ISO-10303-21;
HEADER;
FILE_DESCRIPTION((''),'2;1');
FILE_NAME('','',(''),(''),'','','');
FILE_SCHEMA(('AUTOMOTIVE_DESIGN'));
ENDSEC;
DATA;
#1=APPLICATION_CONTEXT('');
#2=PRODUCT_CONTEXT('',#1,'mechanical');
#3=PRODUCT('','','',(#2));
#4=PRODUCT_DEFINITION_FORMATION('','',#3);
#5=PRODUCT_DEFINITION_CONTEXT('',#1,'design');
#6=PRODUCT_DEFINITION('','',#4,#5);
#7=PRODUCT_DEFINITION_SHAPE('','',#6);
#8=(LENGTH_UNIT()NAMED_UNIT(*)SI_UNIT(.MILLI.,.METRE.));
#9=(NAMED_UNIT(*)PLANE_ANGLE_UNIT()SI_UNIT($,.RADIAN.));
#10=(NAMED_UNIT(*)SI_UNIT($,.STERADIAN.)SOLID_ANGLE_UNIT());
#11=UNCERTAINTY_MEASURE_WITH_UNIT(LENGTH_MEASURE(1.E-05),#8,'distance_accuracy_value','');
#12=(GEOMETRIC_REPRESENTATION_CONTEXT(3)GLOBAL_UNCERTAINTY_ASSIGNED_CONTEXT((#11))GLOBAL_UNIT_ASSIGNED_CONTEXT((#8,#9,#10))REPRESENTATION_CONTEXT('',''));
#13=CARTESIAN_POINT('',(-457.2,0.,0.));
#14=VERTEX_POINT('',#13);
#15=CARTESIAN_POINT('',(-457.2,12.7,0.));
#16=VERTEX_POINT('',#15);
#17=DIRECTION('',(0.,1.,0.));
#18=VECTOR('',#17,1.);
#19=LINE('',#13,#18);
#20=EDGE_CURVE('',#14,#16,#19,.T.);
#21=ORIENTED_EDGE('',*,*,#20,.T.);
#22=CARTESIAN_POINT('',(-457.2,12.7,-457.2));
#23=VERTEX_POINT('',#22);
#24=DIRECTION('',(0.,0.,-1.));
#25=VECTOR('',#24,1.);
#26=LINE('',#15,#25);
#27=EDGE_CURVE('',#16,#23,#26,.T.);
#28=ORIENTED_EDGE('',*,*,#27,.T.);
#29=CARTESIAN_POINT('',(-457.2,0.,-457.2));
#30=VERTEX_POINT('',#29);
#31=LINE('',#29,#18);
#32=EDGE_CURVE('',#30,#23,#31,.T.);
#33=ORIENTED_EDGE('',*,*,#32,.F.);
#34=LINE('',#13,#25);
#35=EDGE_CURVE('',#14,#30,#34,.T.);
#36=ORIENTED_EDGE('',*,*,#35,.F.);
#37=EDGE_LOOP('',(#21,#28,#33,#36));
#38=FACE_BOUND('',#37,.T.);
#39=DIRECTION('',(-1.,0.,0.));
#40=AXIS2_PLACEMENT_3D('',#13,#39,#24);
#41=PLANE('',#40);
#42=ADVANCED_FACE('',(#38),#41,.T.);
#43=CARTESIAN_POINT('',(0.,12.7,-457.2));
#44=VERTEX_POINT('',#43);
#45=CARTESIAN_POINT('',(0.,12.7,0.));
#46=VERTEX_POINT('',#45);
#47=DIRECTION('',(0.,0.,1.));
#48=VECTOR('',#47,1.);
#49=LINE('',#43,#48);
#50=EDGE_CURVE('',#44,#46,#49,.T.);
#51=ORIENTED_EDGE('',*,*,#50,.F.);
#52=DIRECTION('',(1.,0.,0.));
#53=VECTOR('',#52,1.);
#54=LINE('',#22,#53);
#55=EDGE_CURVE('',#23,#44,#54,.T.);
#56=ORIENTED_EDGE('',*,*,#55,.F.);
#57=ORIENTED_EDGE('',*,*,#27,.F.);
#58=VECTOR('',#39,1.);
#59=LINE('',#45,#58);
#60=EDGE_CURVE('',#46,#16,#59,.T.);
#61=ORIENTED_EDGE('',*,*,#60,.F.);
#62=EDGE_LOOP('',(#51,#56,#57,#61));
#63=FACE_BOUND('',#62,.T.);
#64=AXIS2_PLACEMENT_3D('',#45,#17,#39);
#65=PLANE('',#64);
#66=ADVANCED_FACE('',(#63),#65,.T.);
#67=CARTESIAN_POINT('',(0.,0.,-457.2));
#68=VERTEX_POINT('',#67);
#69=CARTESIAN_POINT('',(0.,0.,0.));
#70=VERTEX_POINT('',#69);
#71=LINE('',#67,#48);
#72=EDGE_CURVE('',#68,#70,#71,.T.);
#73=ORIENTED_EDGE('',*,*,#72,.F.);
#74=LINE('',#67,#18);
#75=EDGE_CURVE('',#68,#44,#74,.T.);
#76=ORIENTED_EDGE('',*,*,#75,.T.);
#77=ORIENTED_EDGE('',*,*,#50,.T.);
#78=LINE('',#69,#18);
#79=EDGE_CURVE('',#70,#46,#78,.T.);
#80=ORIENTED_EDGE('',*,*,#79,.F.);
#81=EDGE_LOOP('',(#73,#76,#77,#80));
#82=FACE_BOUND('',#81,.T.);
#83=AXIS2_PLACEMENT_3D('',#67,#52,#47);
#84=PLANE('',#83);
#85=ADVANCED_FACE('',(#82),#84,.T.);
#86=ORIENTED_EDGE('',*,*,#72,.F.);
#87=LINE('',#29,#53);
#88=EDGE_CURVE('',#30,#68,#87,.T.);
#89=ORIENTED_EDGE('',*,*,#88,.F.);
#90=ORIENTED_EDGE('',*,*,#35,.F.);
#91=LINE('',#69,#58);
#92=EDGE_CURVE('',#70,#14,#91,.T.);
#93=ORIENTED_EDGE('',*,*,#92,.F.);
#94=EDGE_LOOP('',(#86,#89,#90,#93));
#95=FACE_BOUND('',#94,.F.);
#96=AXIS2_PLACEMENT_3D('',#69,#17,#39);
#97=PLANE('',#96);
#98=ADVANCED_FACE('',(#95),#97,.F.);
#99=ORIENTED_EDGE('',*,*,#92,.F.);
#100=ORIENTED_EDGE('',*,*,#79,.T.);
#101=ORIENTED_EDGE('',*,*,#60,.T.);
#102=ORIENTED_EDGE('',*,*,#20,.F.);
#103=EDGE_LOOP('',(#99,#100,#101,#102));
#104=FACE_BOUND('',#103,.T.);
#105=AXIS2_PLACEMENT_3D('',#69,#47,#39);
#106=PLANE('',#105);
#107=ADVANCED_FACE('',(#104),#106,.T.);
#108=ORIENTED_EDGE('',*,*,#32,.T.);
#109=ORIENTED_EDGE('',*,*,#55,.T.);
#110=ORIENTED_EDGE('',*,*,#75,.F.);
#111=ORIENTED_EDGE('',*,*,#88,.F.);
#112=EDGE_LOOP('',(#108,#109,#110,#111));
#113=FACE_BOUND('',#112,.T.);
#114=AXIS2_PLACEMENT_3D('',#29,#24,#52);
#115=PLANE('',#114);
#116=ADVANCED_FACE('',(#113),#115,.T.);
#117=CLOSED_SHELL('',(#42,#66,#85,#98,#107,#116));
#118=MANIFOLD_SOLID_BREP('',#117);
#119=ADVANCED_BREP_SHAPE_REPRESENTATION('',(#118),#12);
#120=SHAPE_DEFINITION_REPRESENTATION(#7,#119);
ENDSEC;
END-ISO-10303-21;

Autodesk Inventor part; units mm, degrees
ref_plane "YZ Plane" through (0, 0, 0) normal (1, 0, 0) x (0, 1, 0)
ref_plane "XZ Plane" through (0, 0, 0) normal (0, 1, 0) x (-1, 0, 0)
ref_plane "XY Plane" through (0, 0, 0) normal (0, 0, 1) x (1, 0, 0)
sketch "Sketch1" plane through (0, 0, 0) normal (0, 1, 0) x (-1, 0, 0)
  line L0 (0, 0) -> (457.2, 0)
  line L1 (457.2, 0) -> (457.2, -457.2)
  line L2 (457.2, -457.2) -> (0, -457.2)
  line L3 (0, -457.2) -> (0, 0)
  dimension "d0" = 457.2
  dimension "d1" = 457.2
extrude "Extrusion1" add sketch "Sketch1" along normal blind 12.7
properties part number "18x18board"
